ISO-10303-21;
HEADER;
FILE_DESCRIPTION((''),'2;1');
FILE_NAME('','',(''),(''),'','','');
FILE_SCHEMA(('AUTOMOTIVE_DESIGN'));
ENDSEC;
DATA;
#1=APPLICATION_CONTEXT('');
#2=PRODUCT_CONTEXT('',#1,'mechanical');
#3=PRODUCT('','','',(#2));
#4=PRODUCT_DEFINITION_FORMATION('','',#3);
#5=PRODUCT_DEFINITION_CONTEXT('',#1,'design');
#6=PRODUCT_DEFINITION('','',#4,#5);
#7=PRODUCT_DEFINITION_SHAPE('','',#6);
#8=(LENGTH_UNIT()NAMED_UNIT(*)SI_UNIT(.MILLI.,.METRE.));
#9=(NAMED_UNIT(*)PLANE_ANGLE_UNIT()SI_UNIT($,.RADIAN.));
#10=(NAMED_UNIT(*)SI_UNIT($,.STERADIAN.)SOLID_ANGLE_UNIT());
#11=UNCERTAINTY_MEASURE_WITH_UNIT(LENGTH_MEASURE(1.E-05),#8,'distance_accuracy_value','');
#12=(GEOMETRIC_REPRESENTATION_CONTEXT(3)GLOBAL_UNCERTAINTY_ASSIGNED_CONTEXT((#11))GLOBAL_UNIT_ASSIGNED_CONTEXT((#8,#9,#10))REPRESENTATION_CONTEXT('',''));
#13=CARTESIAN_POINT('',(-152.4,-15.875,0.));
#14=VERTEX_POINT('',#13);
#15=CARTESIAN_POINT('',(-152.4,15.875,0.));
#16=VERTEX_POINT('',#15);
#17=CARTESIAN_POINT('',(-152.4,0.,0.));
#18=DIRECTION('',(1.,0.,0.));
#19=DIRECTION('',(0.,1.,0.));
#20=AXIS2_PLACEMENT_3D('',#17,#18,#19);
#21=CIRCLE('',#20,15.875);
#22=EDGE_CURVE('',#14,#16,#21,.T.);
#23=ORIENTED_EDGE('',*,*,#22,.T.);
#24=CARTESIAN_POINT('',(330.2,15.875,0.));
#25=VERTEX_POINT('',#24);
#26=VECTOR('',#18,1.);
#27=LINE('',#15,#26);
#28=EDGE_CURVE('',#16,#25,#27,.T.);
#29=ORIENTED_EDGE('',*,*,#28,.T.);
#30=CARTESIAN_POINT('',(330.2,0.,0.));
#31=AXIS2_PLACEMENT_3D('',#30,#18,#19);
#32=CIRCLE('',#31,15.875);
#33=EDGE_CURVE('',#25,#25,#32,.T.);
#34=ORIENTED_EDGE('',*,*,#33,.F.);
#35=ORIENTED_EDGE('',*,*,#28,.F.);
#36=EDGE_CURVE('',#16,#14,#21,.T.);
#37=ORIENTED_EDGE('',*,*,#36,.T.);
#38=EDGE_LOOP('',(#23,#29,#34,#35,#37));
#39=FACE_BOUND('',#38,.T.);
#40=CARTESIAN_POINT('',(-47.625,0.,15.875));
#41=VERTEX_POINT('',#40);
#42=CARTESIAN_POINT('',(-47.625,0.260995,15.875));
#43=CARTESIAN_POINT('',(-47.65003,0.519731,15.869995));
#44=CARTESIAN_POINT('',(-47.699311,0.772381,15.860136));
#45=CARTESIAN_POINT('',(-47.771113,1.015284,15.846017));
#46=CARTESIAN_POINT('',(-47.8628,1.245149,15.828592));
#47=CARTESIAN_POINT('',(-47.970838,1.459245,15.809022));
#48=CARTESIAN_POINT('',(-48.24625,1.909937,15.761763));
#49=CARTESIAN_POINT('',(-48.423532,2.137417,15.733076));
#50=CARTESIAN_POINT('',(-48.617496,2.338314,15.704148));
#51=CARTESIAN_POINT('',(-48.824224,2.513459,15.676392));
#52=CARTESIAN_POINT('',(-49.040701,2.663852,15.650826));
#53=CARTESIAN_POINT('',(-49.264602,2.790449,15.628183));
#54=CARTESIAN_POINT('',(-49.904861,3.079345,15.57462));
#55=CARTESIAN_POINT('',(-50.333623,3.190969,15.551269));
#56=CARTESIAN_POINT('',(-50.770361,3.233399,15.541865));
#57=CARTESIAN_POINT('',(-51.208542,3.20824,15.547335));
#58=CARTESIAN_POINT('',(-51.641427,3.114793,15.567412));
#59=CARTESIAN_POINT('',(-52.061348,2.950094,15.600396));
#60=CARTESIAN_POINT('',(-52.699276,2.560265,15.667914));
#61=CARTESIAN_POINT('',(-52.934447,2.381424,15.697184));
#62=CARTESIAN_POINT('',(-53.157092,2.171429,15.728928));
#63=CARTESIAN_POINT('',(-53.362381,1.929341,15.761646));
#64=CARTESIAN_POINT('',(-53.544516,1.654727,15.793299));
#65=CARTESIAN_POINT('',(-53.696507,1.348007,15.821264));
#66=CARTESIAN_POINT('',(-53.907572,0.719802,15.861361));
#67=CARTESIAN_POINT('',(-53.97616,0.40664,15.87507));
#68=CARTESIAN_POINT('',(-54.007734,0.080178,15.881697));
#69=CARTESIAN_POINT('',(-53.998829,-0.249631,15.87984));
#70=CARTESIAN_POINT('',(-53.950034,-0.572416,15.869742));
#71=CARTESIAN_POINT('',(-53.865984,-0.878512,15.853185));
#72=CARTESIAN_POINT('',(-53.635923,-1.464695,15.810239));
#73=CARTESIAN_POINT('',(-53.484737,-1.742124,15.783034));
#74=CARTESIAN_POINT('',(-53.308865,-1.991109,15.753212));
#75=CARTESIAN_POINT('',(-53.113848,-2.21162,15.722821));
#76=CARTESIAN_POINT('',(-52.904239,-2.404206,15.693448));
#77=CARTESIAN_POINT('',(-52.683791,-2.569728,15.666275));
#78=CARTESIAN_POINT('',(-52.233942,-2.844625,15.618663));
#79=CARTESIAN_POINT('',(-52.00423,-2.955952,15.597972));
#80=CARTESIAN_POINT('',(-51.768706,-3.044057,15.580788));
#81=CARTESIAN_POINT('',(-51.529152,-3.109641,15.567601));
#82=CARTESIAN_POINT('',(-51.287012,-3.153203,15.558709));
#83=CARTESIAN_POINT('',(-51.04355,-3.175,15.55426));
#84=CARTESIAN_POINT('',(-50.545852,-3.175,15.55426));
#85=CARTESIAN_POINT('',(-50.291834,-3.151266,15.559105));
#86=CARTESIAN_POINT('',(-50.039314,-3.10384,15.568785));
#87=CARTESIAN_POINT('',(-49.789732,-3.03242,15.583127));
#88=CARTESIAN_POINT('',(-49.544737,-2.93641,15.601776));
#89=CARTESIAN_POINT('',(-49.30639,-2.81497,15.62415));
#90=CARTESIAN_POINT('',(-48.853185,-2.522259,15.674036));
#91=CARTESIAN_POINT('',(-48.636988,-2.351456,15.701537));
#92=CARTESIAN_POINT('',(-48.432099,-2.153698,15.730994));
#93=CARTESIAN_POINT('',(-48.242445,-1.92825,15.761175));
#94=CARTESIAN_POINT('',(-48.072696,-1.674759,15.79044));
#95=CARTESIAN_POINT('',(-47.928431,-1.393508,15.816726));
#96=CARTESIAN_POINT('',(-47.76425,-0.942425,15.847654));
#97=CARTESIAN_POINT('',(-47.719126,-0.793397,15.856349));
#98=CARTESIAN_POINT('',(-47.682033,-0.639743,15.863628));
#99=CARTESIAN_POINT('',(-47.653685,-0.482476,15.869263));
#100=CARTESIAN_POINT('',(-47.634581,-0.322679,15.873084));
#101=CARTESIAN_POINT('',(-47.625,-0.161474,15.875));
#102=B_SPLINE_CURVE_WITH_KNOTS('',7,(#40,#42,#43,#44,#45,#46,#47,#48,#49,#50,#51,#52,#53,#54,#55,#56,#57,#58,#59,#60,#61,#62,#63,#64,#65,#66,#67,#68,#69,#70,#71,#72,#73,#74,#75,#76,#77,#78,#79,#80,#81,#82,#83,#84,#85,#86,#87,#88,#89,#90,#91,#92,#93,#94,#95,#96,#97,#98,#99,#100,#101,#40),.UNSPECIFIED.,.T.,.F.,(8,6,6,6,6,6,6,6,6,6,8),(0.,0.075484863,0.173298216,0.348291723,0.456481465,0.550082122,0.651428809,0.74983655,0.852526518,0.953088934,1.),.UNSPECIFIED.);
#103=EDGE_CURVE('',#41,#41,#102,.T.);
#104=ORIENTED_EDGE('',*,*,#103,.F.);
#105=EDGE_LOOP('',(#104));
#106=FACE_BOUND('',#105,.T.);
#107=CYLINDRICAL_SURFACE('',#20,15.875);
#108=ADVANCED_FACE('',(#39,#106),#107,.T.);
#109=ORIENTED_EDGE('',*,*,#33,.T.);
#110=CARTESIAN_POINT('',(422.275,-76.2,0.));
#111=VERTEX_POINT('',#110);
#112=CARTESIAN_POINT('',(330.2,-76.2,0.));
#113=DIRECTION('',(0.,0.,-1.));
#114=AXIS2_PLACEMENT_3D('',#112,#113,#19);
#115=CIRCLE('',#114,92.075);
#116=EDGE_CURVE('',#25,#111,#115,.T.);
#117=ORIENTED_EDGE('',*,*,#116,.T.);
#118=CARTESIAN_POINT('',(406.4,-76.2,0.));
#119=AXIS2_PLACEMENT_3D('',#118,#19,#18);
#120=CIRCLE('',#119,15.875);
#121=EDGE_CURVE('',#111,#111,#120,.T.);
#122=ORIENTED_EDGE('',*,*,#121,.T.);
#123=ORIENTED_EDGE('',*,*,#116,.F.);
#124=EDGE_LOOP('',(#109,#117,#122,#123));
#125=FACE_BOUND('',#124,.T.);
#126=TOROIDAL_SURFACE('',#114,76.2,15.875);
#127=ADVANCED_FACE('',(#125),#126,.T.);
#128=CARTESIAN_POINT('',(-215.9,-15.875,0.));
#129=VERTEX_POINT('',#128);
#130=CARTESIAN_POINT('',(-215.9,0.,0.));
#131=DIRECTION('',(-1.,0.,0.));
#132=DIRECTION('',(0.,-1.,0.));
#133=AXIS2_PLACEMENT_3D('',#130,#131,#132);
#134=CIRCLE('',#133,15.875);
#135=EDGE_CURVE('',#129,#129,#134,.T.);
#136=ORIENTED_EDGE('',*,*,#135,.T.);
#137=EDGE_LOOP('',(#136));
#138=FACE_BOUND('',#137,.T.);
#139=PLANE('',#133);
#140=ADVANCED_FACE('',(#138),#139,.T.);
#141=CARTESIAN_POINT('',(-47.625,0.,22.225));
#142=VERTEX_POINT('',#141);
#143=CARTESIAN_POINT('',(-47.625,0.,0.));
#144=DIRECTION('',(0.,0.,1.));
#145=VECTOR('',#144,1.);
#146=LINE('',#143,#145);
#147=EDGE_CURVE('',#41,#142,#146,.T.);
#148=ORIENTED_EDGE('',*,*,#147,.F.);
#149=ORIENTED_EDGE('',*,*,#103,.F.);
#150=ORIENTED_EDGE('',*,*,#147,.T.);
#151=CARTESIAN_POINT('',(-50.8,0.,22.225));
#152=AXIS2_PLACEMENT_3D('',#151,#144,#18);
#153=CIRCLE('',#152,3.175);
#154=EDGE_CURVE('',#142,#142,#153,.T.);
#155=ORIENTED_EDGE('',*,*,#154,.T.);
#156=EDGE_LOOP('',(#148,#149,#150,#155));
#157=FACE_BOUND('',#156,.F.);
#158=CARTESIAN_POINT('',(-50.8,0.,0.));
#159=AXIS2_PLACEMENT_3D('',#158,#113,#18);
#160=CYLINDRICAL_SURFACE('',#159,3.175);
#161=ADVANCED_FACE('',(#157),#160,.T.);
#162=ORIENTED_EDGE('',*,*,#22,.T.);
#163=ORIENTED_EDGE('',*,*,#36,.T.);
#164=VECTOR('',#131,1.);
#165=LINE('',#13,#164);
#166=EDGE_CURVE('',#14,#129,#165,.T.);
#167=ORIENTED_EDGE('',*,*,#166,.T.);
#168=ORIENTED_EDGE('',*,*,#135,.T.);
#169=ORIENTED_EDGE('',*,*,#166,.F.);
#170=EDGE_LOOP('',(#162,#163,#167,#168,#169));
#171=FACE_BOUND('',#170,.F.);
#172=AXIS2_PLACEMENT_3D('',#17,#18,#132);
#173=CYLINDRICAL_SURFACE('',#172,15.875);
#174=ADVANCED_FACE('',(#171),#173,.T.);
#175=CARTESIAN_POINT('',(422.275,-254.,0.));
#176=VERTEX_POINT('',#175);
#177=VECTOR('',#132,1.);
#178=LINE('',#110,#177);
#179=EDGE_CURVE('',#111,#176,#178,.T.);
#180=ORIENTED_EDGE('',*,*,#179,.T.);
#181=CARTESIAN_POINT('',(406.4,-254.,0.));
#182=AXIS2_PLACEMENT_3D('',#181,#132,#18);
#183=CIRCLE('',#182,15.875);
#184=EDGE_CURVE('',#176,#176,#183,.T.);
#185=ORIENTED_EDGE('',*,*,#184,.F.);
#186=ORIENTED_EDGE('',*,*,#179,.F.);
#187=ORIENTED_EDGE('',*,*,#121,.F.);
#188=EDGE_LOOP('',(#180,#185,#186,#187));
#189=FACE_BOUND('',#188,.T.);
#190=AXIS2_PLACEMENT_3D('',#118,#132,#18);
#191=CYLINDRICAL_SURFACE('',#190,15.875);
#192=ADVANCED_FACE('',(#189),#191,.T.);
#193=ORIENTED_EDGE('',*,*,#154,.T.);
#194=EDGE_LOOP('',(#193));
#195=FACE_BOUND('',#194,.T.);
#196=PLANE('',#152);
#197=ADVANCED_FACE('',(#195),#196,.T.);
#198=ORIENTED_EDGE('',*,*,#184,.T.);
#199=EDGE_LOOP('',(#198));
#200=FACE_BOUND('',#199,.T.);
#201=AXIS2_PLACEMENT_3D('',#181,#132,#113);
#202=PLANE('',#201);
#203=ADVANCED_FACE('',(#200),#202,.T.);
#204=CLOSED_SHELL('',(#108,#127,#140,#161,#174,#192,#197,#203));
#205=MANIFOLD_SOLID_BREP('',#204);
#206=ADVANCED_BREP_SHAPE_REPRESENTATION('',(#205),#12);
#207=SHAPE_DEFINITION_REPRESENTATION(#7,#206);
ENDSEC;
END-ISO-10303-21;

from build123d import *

# Parameters (mm, degrees)
F2_R     = 15.875
F4_R     = 3.175
F5_DEPTH = 22.225
F6_R     = 15.875
F7_DEPTH = 63.5


with BuildPart() as f3:
    # F3: sweep along a path in F0
    with BuildLine(Plane.XY) as f3_path:
        Line((-152.4, 0), (0, 0))
        Line((0, 0), (330.2, 0))
        ThreePointArc((330.2, 0), (384.0815367264, -22.3184632736), (406.4, -76.2))
        Line((406.4, -76.2), (406.4, -254))
    # F2 (on offset) → F3 (sweep)
    with BuildSketch(Plane.XZ.offset(254)):
        with Locations((406.4, 0)):
            Circle(F2_R)
    sweep(path=f3_path.line)

    # F4 (on Top) → F5 (join)
    with BuildSketch(Plane.XY):
        with Locations((-50.8, 0)):
            Circle(F4_R)
    extrude(amount=F5_DEPTH)

    # F6 (on face) → F7 (join)
    with BuildSketch(Plane(origin=(-152.4, 0, 0), x_dir=(0, -1, 0), z_dir=(-1, 0, 0))):
        Circle(F6_R)
    extrude(amount=F7_DEPTH)


solid = f3.part
